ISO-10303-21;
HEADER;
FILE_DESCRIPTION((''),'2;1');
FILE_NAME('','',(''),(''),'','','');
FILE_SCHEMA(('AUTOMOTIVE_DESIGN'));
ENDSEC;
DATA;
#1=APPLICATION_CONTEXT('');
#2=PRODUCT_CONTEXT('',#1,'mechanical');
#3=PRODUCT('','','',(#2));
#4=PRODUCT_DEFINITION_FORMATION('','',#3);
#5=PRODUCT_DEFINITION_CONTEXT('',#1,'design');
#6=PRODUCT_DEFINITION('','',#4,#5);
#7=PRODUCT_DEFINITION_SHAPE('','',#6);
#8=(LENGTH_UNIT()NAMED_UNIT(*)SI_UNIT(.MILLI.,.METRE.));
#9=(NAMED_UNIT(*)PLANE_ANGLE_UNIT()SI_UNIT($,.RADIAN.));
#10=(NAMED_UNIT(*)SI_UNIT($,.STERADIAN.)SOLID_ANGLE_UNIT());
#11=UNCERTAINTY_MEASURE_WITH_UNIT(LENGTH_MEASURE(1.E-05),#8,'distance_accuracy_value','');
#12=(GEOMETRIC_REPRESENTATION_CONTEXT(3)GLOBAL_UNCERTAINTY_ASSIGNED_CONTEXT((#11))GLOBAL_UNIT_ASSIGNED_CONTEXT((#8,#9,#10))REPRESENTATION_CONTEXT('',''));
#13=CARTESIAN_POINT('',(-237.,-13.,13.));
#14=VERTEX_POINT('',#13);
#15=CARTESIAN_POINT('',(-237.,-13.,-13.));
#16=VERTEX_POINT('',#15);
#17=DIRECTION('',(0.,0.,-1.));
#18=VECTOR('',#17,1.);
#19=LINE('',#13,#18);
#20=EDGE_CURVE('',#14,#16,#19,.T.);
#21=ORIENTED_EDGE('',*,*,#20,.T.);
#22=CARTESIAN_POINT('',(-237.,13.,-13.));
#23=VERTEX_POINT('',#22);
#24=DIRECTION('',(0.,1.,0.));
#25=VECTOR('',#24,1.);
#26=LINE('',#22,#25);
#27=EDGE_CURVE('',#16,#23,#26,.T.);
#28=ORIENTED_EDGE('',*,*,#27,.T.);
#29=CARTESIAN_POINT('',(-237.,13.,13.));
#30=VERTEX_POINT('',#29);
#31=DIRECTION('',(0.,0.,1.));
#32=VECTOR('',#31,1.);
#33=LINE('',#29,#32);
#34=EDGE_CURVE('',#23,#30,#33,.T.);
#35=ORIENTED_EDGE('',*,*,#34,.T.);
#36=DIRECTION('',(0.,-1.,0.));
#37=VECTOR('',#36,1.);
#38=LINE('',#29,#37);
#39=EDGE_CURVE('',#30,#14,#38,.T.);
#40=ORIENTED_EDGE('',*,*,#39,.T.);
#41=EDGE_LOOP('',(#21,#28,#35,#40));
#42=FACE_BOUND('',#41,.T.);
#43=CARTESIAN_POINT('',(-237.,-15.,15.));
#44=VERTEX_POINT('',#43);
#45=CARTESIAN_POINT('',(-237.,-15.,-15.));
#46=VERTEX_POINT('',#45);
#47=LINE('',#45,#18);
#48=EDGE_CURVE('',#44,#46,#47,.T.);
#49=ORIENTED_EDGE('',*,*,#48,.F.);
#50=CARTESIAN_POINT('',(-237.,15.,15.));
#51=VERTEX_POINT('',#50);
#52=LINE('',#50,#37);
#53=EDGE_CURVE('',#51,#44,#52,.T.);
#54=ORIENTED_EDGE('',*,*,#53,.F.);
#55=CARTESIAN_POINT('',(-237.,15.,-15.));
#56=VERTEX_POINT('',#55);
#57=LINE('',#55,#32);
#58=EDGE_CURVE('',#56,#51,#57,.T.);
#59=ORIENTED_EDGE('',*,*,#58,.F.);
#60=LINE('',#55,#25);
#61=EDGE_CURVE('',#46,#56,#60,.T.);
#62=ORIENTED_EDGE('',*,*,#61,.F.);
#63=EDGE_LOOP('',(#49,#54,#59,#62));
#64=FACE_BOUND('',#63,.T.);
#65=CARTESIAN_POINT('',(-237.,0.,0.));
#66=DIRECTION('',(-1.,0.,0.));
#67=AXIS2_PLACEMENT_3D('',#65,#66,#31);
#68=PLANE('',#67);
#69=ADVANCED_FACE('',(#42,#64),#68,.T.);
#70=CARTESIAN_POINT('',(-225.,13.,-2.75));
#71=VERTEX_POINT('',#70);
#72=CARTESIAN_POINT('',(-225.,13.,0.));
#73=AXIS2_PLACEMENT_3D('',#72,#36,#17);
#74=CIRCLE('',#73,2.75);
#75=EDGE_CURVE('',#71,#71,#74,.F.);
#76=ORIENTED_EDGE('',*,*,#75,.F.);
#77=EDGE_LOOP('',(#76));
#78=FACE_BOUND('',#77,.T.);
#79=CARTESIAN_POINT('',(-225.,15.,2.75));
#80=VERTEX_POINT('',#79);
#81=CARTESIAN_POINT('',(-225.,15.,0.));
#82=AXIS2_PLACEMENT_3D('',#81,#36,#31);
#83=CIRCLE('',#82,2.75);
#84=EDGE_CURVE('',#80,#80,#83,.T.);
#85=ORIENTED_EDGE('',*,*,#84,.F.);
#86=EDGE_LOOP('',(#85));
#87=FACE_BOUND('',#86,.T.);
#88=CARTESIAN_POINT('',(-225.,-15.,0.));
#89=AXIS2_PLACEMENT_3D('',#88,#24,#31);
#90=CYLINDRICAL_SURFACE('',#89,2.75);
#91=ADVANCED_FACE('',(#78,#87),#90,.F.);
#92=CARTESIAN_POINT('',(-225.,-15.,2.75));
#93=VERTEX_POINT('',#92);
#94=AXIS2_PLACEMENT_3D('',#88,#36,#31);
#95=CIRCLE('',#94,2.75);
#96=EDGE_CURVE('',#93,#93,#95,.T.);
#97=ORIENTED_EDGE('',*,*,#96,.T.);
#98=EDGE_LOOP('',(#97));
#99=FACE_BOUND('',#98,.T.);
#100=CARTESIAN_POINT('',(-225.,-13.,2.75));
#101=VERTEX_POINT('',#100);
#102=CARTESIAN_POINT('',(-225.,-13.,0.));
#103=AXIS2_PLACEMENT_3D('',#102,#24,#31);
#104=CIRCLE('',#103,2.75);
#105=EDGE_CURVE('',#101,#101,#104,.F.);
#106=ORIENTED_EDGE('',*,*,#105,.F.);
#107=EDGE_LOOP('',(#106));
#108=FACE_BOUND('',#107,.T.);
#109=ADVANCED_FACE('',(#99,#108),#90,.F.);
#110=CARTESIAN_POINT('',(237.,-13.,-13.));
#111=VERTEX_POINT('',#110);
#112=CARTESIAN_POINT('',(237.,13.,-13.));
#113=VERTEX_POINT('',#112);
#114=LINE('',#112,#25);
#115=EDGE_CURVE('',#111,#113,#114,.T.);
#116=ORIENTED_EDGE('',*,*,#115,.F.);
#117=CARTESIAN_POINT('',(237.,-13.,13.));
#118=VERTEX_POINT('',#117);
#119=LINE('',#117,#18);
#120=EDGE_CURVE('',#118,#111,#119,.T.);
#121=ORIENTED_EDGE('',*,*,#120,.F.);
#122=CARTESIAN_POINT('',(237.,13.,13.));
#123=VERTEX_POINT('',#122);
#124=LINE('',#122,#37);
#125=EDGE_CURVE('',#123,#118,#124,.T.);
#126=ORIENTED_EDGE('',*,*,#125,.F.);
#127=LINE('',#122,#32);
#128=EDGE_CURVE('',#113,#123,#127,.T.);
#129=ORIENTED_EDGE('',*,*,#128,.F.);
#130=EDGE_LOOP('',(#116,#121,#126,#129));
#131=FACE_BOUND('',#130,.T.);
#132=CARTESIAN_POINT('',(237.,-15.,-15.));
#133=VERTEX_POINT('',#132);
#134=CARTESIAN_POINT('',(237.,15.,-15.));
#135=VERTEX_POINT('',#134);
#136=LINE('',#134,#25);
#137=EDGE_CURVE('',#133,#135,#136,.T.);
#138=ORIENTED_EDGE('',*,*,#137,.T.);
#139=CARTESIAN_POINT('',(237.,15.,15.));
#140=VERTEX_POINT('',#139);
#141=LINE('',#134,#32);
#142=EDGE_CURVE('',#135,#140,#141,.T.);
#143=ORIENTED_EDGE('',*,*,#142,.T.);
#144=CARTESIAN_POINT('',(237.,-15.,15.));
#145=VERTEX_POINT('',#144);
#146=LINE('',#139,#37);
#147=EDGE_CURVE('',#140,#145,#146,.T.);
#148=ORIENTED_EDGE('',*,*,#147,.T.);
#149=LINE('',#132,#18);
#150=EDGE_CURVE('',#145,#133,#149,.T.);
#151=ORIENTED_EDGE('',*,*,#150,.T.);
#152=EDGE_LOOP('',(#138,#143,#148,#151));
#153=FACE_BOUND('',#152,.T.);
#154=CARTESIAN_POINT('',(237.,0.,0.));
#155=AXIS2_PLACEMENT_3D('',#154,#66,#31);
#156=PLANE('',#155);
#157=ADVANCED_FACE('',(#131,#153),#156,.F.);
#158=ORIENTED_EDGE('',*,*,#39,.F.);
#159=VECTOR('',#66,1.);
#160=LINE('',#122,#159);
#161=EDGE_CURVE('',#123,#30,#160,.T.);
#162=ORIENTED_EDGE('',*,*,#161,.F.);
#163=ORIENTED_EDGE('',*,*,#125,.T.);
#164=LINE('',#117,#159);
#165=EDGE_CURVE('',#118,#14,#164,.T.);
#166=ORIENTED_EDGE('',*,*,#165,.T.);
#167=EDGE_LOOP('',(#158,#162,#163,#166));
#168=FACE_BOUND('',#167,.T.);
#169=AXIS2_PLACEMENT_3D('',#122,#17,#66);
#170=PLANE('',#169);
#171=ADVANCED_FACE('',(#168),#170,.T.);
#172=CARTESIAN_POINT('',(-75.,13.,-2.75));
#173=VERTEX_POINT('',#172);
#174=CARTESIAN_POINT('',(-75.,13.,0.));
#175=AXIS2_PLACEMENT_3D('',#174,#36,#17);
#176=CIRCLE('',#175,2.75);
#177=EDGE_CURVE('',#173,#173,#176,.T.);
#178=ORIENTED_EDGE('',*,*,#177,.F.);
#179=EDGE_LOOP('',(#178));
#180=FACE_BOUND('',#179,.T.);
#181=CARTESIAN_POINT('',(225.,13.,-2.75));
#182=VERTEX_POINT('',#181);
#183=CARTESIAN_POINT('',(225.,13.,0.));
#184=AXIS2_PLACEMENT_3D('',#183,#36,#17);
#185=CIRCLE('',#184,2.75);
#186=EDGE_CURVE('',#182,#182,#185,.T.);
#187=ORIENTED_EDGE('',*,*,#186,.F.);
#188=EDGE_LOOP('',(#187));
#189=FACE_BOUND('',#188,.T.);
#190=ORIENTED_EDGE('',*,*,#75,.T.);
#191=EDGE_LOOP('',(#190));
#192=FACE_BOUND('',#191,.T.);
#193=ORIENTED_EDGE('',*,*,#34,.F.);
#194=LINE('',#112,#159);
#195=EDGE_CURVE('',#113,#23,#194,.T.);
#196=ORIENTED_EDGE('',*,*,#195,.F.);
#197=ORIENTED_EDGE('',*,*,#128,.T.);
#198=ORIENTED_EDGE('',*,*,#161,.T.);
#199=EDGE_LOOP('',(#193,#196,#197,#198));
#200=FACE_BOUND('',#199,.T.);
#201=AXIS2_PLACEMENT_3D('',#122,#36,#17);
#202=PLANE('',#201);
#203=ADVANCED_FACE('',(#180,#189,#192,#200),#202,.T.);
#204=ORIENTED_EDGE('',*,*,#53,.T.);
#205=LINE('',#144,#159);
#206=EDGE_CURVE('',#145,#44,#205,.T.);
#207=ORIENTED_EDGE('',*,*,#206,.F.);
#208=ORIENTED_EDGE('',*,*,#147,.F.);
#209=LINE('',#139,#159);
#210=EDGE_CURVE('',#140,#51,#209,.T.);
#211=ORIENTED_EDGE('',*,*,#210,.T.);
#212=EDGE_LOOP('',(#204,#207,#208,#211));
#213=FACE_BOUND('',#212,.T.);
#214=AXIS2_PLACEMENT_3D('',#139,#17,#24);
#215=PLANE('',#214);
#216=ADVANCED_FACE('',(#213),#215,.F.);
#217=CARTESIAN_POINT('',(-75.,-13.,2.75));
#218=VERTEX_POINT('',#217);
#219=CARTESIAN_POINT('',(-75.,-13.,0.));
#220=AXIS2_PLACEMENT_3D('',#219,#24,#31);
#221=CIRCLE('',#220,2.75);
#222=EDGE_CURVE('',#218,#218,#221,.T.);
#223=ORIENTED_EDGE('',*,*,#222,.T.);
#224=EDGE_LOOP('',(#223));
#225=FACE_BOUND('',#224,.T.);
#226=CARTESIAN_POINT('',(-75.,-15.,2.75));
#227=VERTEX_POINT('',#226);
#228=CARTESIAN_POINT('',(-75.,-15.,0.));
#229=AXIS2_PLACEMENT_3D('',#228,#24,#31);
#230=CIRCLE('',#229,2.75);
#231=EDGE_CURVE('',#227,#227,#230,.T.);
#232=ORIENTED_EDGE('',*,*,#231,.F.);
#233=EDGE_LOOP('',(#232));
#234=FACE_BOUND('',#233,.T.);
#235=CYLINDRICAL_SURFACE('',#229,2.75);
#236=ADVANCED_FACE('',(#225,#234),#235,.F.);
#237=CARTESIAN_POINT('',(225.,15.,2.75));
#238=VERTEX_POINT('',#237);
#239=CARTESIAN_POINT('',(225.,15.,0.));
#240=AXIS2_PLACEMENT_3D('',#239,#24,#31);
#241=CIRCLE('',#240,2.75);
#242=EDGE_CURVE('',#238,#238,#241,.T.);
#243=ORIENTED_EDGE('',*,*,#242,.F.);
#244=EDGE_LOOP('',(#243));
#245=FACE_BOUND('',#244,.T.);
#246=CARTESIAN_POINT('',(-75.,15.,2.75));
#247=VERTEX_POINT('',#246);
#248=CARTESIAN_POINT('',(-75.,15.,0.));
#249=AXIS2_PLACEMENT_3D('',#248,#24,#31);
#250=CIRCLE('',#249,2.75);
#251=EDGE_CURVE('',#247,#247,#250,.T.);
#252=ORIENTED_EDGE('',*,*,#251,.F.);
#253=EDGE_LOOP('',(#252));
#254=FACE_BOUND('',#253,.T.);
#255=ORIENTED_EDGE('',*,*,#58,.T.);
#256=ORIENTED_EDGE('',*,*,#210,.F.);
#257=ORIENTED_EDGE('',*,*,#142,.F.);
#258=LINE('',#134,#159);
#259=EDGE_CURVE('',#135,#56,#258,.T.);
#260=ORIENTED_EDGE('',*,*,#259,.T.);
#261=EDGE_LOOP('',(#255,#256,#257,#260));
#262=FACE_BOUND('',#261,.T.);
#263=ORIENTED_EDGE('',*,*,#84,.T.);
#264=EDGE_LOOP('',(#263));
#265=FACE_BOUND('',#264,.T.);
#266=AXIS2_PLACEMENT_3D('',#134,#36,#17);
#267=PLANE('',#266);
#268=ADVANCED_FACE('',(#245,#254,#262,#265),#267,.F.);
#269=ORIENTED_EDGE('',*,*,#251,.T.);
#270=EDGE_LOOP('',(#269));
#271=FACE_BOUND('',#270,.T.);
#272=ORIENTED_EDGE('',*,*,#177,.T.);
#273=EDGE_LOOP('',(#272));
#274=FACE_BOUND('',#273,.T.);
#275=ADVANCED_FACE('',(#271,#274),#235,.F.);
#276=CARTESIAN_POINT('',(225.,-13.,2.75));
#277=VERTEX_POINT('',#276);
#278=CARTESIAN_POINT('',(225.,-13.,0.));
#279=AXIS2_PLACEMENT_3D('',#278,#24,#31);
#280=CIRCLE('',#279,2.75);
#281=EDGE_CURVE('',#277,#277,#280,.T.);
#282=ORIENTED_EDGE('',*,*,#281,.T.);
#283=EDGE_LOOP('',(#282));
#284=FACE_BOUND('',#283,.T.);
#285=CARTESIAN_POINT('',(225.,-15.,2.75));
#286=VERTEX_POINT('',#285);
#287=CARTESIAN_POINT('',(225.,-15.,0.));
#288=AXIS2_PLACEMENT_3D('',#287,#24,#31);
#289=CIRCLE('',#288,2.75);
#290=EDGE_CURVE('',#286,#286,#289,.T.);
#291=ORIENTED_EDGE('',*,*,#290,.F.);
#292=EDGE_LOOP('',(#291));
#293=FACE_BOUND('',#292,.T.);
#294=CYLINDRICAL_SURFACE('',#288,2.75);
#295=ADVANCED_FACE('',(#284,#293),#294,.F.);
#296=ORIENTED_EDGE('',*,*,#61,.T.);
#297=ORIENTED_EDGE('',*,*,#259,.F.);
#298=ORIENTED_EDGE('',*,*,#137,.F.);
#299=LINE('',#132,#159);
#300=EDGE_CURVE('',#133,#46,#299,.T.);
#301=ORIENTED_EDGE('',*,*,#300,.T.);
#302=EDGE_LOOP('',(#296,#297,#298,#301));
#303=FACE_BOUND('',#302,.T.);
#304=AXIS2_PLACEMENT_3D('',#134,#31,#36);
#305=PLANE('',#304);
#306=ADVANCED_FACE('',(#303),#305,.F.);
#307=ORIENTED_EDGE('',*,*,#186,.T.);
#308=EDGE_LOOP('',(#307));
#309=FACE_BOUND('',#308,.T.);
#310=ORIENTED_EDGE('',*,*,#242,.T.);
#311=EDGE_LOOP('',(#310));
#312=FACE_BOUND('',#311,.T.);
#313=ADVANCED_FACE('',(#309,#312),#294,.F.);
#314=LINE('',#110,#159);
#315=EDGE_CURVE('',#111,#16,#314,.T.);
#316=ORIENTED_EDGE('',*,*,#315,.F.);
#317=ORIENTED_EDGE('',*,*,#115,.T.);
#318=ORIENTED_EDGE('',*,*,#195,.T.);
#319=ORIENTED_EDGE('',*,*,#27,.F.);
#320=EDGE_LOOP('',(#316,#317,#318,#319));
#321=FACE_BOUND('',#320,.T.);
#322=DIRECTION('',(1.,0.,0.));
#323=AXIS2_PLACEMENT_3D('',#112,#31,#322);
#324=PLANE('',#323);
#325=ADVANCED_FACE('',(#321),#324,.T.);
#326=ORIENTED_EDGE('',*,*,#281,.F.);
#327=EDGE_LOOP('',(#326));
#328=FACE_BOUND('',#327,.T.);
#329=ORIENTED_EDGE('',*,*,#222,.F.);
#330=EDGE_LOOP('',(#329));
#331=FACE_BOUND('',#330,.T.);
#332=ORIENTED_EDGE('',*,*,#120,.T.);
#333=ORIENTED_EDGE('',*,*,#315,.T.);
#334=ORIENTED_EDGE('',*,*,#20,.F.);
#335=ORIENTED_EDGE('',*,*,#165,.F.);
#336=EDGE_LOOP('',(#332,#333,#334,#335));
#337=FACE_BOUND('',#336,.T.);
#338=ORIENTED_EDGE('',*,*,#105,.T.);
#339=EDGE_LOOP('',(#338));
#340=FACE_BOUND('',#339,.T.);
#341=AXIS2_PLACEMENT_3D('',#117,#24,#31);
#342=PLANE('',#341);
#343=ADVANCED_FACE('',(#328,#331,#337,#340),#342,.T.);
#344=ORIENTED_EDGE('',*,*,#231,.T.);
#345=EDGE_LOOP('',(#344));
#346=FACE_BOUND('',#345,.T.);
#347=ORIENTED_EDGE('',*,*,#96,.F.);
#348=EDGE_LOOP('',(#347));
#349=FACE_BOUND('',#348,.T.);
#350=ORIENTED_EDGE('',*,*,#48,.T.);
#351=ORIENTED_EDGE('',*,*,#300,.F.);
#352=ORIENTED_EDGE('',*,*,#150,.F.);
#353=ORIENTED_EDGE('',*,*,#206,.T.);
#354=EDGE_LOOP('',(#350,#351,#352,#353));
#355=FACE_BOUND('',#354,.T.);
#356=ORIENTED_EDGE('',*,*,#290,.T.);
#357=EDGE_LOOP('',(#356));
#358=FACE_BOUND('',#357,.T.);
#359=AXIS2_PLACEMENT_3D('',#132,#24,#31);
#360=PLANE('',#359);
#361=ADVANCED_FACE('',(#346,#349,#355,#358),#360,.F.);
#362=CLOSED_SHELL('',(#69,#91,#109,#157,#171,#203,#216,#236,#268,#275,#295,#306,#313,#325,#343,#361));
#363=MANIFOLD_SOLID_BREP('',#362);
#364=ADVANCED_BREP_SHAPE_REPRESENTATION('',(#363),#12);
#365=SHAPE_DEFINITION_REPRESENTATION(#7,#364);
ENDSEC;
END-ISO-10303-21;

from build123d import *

# Parameters (mm, degrees)
SKETCH1_W               = 30
SKETCH1_H               = 30
SKETCH1_W_2             = 26
SKETCH1_H_2             = 26
BOSS_EXTRUDE1_DEPTH     = 237
SKETCH2_R               = 2.75
CUT_EXTRUDE1_DEPTH      = 238.947473195
CUT_EXTRUDE2_DEPTH      = 238.947473195
CUT_EXTRUDE2_DEPTH_BACK = 238.947473195
SKETCH3_R               = 2.75


with BuildPart() as part:
    # Sketch1 → Boss-Extrude1 (new, symmetric)
    with BuildSketch(Plane(origin=(0, 0, 0), x_dir=(0, 0, -1), z_dir=(1, 0, 0))):
        Rectangle(SKETCH1_W, SKETCH1_H)
        Rectangle(SKETCH1_W_2, SKETCH1_H_2, mode=Mode.SUBTRACT)
    extrude(amount=BOSS_EXTRUDE1_DEPTH, both=True)

    # Sketch2 → Cut-Extrude1 (cut, symmetric)
    with BuildSketch(Plane(origin=(0, 0, 0), x_dir=(1, 0, 0), z_dir=(0, 1, 0))):
        with Locations(Location((225, 0, 0), (0, 0, 270))):
            Circle(SKETCH2_R)
    cut_extrude1 = extrude(amount=CUT_EXTRUDE1_DEPTH, both=True, mode=Mode.SUBTRACT)

    # Mirror1: Cut-Extrude1 across plane
    add(cut_extrude1.mirror(Plane(origin=(0, 0, 0), x_dir=(0, 0, 1), z_dir=(1, 0, 0))), mode=Mode.SUBTRACT)

    # Sketch3 → Cut-Extrude2 (cut, two sides: drawn at the far end of the back side and taken through both)
    with BuildSketch(Plane(origin=(0, 0, 0), x_dir=(1, 0, 0), z_dir=(0, 1, 0)).offset(-CUT_EXTRUDE2_DEPTH_BACK)):
        with Locations(Location((-75, 0, 0), (0, 0, 270))):
            Circle(SKETCH3_R)
    extrude(amount=CUT_EXTRUDE2_DEPTH + CUT_EXTRUDE2_DEPTH_BACK, mode=Mode.SUBTRACT)


solid = part.part
